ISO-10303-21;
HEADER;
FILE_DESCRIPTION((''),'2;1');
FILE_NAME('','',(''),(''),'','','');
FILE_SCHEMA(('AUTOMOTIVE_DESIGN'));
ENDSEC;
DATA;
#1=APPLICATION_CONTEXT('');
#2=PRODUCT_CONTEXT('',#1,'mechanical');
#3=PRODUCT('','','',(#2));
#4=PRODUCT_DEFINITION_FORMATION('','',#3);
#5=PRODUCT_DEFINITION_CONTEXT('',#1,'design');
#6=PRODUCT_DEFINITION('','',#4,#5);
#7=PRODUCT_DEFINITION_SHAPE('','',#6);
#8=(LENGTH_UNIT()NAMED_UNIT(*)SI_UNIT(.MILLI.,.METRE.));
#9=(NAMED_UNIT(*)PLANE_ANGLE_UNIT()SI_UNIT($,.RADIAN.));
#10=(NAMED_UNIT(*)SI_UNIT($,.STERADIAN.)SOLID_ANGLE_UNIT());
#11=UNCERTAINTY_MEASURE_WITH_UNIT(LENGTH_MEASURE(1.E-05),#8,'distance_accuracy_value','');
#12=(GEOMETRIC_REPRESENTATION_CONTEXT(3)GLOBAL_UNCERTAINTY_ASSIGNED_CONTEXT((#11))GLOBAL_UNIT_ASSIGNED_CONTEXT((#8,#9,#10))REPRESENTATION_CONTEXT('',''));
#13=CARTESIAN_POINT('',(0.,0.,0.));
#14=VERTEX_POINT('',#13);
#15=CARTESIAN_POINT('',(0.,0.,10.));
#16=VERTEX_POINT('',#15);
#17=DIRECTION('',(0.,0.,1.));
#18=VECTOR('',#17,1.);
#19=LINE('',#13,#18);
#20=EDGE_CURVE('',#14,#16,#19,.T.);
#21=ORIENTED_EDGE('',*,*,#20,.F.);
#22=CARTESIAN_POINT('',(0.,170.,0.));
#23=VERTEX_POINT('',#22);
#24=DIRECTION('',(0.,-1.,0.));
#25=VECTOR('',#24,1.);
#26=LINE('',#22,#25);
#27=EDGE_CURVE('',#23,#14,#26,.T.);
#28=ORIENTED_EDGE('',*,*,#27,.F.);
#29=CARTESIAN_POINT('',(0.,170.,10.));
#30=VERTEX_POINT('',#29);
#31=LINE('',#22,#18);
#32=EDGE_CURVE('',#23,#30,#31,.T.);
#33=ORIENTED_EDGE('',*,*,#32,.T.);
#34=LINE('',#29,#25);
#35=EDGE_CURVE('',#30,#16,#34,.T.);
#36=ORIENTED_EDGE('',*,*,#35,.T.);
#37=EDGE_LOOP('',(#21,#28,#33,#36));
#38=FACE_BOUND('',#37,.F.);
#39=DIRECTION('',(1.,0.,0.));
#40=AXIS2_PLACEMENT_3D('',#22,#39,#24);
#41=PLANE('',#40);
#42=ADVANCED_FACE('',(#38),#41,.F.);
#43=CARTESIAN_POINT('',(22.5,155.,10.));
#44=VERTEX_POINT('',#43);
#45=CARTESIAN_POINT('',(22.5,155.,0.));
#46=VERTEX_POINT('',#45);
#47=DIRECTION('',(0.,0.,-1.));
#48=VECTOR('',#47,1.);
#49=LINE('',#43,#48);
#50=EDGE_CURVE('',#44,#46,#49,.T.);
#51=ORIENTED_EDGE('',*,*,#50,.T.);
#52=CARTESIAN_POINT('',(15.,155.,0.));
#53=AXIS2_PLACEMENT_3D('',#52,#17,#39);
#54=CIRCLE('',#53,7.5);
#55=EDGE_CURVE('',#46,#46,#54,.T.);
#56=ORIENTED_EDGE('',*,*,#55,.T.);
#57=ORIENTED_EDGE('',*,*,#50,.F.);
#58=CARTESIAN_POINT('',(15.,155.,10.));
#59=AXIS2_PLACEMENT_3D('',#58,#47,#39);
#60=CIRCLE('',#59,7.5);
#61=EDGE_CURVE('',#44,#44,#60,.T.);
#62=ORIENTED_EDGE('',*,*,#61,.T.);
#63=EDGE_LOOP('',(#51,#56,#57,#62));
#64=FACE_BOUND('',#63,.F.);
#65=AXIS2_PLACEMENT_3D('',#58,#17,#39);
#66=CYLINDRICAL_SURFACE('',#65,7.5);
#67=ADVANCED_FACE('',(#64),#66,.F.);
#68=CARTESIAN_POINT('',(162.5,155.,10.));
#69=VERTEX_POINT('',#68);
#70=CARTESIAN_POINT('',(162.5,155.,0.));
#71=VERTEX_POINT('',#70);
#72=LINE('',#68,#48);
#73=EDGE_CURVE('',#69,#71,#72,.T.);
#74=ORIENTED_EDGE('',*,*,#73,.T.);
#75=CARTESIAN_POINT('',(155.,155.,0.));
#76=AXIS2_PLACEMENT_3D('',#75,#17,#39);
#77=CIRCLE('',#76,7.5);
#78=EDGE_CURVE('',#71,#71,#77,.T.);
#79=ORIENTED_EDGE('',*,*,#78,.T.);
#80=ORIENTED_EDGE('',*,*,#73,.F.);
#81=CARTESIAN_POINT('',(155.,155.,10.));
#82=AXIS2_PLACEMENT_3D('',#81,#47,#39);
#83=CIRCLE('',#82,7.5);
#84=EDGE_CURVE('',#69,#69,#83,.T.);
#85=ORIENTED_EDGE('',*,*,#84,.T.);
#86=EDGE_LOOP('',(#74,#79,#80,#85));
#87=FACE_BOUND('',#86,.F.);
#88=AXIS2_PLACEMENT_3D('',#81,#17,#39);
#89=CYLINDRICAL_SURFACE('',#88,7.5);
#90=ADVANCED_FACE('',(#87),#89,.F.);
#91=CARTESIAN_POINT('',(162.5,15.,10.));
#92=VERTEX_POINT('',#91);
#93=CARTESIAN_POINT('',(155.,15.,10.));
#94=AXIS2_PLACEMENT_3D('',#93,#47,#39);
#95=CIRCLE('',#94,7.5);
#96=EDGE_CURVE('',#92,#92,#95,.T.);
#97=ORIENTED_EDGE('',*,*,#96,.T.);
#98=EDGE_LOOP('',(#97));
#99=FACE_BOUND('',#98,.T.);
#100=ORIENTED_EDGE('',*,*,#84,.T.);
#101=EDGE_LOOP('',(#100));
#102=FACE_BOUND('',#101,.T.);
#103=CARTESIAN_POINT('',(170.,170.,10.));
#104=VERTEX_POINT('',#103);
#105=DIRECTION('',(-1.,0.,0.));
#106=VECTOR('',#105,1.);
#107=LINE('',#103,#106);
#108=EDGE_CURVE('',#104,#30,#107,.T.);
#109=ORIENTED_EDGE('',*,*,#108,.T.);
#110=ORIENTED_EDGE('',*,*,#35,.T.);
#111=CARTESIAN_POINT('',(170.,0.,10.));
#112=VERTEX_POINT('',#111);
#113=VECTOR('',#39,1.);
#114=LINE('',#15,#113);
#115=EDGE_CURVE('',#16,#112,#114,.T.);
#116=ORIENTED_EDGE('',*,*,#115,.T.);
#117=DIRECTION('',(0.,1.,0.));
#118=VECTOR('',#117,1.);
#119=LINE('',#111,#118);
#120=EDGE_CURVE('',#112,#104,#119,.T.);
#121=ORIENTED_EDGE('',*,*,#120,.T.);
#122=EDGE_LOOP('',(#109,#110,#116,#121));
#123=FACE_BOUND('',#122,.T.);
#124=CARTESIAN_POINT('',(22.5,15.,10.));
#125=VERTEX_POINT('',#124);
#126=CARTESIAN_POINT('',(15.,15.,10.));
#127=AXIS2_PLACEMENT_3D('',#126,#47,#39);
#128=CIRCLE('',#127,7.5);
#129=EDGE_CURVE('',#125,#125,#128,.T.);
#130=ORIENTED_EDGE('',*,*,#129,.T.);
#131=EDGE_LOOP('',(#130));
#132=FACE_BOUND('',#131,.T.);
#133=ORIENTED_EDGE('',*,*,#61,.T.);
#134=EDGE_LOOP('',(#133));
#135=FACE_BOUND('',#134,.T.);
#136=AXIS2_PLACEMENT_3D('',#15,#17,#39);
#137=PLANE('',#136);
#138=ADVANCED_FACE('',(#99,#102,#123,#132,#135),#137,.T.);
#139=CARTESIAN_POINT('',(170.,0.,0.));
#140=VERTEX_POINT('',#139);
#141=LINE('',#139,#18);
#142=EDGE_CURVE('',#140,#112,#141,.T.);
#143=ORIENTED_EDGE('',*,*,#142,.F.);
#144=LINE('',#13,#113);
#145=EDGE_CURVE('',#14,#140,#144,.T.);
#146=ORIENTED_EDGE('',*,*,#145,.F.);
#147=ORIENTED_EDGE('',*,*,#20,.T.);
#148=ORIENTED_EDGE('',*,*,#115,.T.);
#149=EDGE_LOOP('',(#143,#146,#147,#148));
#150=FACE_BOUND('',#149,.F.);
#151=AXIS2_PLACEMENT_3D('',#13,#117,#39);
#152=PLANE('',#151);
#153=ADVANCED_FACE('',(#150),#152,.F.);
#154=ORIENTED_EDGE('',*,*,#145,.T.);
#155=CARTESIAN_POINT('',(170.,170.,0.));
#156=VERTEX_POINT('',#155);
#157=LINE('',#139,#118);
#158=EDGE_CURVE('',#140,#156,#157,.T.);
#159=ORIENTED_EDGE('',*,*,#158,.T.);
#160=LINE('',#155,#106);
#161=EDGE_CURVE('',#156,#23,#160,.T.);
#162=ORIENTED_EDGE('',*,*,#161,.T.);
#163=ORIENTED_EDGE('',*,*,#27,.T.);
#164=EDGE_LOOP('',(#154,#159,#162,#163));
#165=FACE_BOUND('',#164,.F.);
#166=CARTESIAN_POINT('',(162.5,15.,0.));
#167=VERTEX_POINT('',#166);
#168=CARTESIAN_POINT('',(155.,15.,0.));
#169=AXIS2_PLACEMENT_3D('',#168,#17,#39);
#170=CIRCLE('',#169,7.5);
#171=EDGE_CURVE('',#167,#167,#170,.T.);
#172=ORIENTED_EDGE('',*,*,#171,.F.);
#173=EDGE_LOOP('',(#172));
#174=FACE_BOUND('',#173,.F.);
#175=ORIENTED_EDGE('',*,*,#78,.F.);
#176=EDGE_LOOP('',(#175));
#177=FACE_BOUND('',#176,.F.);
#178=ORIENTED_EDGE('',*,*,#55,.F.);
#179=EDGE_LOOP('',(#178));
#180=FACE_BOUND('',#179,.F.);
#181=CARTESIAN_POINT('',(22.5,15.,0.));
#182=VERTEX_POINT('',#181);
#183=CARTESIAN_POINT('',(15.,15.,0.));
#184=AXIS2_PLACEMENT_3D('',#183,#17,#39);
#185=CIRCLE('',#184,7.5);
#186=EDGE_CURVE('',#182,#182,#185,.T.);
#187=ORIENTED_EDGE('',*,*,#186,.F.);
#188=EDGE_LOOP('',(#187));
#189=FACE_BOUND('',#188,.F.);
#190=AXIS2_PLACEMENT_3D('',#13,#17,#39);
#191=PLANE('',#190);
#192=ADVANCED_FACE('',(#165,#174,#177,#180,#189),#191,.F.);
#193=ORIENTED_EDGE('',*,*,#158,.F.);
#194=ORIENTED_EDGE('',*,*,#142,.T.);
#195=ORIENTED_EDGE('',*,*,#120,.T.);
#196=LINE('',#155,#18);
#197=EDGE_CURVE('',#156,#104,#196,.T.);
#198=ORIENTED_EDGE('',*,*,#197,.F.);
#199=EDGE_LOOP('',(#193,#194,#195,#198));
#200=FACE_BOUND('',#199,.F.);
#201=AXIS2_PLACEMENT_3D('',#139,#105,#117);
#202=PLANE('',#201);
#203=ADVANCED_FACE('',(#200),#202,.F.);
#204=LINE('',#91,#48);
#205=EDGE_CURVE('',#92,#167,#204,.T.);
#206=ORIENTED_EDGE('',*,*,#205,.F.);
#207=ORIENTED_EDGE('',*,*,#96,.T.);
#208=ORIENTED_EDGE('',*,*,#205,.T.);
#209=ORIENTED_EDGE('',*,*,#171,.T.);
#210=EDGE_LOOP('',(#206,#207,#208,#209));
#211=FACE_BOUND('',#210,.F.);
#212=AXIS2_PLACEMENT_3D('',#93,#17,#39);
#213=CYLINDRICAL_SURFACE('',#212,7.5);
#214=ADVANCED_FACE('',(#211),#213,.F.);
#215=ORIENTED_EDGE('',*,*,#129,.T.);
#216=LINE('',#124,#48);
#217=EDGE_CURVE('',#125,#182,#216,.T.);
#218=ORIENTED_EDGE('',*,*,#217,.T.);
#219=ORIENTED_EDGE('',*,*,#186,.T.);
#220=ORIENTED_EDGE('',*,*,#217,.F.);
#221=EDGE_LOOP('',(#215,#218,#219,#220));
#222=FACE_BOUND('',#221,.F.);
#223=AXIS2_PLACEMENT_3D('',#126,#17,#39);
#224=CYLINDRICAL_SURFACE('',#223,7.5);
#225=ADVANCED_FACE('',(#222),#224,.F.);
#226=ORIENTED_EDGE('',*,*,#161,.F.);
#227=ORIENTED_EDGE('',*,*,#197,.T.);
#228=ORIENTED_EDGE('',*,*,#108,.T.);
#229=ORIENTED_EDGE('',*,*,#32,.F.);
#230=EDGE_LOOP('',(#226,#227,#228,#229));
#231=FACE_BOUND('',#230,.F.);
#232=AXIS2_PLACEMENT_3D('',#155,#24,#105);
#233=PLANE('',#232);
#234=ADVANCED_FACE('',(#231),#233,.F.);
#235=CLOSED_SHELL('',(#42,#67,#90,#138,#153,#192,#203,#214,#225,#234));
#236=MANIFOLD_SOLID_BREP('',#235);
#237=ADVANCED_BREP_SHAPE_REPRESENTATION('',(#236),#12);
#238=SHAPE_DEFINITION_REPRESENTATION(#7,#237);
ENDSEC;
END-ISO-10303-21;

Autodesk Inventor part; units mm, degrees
ref_plane "YZ Plane" through (0, 0, 0) normal (1, 0, 0) x (0, 1, 0)
ref_plane "XZ Plane" through (0, 0, 0) normal (0, 1, 0) x (-1, 0, 0)
ref_plane "XY Plane" through (0, 0, 0) normal (0, 0, 1) x (1, 0, 0)
sketch "Sketch1" plane through (0, 0, 0) normal (0, 0, 1) x (1, 0, 0)
  line L0 (0, 0) -> (170, 0)
  line L1 (170, 0) -> (170, 170)
  line L2 (170, 170) -> (0, 170)
  line L3 (0, 170) -> (0, 0)
  dimension "d0" = 170
  dimension "d1" = 170
extrude "Extrusion1" add sketch "Sketch1" along normal blind 10
sketch "Sketch2" plane through (0, 0, 10) normal (0, 0, 1) x (1, 0, 0)
  line L0 (170, 170) -> (0, 170) projected
  line L1 (0, 170) -> (0, 155)
  line L2 (0, 170) -> (0, 0) projected
  line L3 (0, 0) -> (170, 0) projected
  line L4 (0, 0) -> (0, 15)
  line L5 (0, 15) -> (155, 15)
  line L6 (155, 15) -> (155, 155)
  line L7 (155, 155) -> (15, 155)
  line L8 (15, 155) -> (15, 15)
  line L9 (15, 155) -> (30, 155)
  circle A0 centre (15, 155) radius 7.5
  circle A1 centre (155, 155) radius 7.5
  circle A2 centre (155, 15) radius 7.5
  circle A3 centre (15, 15) radius 7.5
  dimension "d4" = 15
  dimension "d5" = 15
  dimension "d6" = 155
  dimension "d7" = 140
  dimension "d8" = 140
  dimension "d9" = 140
  dimension "d10" = 15
  dimension "d11" = 15
  dimension "d12" = 15
  dimension "d13" = 15
extrude "Extrusion2" cut sketch "Sketch2" against normal blind 10 contours L8 A3 L5 | L5 A3 | L5 A3 L8 | A2 L6 L5 | L5 L6 A2 | A0 L7 L8 | L8 L7 A0 | A1 L7 L6 | L6 L7 A1
properties part number "AF"
